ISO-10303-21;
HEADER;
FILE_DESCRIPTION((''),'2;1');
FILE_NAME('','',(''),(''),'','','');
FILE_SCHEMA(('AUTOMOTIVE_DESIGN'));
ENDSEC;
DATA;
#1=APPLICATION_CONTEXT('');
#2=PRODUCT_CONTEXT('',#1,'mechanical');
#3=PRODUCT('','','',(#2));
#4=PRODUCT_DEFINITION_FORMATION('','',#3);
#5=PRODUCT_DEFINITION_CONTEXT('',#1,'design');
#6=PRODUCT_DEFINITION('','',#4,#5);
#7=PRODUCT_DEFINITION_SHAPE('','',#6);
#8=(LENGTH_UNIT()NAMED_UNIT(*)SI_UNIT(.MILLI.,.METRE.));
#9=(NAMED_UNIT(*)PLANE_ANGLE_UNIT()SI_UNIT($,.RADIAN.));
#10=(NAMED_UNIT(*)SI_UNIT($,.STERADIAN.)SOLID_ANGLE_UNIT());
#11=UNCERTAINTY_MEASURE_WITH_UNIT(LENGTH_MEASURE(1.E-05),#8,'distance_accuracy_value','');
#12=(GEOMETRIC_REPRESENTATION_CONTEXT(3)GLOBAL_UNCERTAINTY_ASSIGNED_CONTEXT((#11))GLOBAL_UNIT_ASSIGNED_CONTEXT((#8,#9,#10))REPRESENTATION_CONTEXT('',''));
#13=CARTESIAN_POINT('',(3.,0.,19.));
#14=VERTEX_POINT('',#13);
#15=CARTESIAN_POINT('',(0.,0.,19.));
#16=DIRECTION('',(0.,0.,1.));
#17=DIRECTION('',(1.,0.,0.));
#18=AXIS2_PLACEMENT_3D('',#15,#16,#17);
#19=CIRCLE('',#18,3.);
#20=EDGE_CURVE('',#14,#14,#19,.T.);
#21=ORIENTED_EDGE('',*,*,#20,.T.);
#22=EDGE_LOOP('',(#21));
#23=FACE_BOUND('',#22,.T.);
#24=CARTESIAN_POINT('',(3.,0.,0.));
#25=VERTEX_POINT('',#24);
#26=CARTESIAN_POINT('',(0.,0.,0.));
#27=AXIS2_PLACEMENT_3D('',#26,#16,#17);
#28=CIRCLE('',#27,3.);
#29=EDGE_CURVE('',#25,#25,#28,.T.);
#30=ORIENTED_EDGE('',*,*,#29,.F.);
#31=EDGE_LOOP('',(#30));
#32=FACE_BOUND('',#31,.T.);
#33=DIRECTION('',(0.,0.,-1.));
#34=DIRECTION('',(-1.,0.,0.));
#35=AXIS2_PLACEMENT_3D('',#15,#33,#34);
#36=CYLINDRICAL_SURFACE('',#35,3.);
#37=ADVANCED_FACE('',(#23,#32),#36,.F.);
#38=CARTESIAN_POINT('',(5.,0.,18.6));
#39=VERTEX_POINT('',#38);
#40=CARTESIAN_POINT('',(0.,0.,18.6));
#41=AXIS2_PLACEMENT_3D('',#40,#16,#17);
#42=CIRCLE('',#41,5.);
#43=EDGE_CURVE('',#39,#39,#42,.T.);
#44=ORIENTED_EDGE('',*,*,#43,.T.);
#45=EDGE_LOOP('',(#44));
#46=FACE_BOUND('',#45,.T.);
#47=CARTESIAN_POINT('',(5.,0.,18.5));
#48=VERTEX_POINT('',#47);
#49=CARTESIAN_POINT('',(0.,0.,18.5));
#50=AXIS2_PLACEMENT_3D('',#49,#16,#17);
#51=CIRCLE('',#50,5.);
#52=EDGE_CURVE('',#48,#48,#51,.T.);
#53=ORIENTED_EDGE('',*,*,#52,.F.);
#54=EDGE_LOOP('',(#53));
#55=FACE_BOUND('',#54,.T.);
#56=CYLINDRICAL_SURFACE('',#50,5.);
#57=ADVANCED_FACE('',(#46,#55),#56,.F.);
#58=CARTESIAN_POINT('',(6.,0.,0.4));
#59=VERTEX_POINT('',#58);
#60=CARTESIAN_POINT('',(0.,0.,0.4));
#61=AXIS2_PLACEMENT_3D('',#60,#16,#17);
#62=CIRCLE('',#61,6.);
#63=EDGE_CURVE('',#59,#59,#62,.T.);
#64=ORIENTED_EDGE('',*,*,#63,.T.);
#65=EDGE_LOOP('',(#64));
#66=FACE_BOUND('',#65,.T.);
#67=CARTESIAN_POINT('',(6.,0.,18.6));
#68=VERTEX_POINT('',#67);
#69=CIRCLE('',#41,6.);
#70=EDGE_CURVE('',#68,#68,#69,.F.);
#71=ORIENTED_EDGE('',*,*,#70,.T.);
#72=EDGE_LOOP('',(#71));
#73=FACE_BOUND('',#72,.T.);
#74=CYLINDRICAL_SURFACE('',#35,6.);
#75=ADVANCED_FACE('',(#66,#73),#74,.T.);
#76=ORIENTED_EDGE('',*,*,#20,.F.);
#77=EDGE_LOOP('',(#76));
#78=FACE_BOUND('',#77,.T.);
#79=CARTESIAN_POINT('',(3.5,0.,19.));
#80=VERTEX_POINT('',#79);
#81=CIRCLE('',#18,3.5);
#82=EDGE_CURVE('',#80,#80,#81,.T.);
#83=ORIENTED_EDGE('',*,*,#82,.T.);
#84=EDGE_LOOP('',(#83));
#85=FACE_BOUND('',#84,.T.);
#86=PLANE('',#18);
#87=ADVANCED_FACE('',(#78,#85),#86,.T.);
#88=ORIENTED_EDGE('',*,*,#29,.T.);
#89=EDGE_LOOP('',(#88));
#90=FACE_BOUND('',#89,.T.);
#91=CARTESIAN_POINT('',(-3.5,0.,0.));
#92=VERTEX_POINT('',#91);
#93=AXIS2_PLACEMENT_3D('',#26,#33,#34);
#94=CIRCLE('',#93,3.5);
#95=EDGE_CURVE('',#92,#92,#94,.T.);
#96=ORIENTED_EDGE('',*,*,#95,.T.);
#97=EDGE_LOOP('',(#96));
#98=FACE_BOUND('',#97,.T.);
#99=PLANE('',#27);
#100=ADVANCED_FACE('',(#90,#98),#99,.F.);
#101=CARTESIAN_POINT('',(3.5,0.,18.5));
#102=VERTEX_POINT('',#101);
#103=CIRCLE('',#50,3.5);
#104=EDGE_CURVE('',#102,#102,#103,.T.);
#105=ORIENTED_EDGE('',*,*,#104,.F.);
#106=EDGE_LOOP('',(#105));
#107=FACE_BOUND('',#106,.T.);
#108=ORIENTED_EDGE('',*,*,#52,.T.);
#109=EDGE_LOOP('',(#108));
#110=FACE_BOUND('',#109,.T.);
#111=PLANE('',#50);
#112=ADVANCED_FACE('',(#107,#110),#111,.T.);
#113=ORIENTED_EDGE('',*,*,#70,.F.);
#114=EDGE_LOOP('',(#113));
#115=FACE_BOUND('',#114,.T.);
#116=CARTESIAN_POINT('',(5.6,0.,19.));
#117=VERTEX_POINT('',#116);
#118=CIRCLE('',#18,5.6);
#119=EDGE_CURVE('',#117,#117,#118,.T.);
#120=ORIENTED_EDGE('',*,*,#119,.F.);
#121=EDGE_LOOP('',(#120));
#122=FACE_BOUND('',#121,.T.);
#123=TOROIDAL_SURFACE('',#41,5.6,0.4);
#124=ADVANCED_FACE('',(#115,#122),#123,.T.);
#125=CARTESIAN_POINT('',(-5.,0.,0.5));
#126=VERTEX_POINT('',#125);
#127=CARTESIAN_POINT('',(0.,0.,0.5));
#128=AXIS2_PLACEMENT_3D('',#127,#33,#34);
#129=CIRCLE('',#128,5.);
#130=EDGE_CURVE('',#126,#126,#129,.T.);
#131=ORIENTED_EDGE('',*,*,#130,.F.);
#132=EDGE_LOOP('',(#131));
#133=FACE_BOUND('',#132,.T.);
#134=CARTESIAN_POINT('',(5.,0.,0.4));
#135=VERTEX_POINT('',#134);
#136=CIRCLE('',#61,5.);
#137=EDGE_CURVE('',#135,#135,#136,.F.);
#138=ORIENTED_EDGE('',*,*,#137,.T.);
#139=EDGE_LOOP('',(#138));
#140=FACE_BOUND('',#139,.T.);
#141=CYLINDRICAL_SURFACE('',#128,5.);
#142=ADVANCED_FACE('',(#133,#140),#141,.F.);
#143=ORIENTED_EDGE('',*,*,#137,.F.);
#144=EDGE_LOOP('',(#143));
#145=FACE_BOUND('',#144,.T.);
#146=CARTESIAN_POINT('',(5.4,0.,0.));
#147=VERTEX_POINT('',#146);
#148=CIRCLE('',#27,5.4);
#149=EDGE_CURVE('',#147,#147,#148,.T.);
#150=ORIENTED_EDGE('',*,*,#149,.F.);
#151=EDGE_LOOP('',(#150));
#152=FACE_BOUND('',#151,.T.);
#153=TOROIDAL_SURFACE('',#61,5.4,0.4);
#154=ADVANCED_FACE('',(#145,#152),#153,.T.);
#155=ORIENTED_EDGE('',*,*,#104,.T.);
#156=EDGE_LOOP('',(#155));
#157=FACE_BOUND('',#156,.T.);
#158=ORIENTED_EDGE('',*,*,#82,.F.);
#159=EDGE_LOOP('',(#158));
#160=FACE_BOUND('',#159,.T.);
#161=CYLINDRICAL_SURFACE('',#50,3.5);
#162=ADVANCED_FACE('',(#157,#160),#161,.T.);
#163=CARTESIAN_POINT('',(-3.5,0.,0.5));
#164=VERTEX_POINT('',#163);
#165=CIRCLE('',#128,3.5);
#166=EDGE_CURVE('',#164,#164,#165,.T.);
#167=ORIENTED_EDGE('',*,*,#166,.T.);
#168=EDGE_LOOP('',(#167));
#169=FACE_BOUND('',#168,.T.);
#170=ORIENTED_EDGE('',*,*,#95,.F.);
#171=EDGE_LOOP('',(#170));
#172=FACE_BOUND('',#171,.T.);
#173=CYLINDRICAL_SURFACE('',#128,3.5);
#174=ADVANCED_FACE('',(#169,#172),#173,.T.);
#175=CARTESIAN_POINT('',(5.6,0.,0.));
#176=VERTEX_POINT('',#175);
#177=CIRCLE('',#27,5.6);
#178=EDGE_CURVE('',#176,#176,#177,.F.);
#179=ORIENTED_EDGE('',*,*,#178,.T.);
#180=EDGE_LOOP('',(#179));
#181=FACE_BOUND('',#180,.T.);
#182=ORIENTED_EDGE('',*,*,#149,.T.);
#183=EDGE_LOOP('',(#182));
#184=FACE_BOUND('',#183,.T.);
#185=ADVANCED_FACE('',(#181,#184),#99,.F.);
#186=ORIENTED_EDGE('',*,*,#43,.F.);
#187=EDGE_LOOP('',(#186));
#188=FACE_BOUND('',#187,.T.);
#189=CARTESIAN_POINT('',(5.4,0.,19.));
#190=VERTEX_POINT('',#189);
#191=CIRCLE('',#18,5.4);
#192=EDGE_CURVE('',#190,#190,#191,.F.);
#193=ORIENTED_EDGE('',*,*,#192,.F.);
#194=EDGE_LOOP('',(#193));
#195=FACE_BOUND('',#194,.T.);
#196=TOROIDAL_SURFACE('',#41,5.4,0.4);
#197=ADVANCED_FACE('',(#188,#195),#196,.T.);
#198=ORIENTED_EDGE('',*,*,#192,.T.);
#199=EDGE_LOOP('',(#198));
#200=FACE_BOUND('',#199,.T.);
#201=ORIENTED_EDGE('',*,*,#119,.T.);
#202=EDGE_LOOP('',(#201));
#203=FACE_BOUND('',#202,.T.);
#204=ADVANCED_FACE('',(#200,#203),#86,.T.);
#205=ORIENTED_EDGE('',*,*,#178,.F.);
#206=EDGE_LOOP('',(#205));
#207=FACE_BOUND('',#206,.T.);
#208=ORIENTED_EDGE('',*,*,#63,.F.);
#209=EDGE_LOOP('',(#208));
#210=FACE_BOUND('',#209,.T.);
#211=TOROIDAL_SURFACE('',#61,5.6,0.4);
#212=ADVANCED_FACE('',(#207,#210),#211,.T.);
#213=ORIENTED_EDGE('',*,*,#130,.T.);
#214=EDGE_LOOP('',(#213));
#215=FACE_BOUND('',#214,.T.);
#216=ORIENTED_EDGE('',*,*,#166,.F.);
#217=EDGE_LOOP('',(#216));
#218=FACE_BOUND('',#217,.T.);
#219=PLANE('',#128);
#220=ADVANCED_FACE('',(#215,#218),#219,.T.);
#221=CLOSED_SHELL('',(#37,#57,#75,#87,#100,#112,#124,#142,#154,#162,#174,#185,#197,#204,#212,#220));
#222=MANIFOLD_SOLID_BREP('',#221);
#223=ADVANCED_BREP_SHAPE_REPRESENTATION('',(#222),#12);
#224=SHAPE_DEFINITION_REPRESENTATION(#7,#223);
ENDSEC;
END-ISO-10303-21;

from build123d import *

# Parameters (mm, degrees)
SKETCH_2_R          = 6
SKETCH_2_R_2        = 3
EXTRUDE_1_DEPTH     = 19
SKETCH_3_R          = 5
SKETCH_3_R_2        = 3.5
CUT_EXTRUDE_1_DEPTH = 0.5
CUT_EXTRUDE_START   = -0.5
SKETCH_4_R          = 5
SKETCH_4_R_2        = 3.5
CUT_EXTRUDE_2_DEPTH = 0.5
FILLET_1_R          = 0.4


with BuildPart() as part:
    # 草图2 → 凸台-拉伸1 (new body)
    with BuildSketch(Plane.XY):
        Circle(SKETCH_2_R)
        Circle(SKETCH_2_R_2, mode=Mode.SUBTRACT)
    extrude(amount=EXTRUDE_1_DEPTH)

    # 草图3 → 切除-拉伸1 (cut)
    with BuildSketch(Plane.XY.offset(19)):
        Circle(SKETCH_3_R)
        Circle(SKETCH_3_R_2, mode=Mode.SUBTRACT)
    extrude(amount=-CUT_EXTRUDE_1_DEPTH, mode=Mode.SUBTRACT)

    # 草图4 → 切除-拉伸2 (cut)
    with BuildSketch(Plane(origin=(0, 0, 0), x_dir=(-1, 0, 0), z_dir=(0, 0, -1)).offset(CUT_EXTRUDE_START)):
        with Locations(Location((0, 0, 0), (0, 0, 180))):
            Circle(SKETCH_4_R)
        with Locations(Location((0, 0, 0), (0, 0, 180))):
            Circle(SKETCH_4_R_2, mode=Mode.SUBTRACT)
    extrude(amount=CUT_EXTRUDE_2_DEPTH, mode=Mode.SUBTRACT)

    # 圆角1
    fillet_1_edges = [part.edges().sort_by_distance(p)[0] for p in [
        (-5, 0, 19),
        (-6, 0, 0),
        (-5, 0, 0),
        (-6, 0, 19),
    ]]
    fillet(fillet_1_edges, radius=FILLET_1_R)


solid = part.part
